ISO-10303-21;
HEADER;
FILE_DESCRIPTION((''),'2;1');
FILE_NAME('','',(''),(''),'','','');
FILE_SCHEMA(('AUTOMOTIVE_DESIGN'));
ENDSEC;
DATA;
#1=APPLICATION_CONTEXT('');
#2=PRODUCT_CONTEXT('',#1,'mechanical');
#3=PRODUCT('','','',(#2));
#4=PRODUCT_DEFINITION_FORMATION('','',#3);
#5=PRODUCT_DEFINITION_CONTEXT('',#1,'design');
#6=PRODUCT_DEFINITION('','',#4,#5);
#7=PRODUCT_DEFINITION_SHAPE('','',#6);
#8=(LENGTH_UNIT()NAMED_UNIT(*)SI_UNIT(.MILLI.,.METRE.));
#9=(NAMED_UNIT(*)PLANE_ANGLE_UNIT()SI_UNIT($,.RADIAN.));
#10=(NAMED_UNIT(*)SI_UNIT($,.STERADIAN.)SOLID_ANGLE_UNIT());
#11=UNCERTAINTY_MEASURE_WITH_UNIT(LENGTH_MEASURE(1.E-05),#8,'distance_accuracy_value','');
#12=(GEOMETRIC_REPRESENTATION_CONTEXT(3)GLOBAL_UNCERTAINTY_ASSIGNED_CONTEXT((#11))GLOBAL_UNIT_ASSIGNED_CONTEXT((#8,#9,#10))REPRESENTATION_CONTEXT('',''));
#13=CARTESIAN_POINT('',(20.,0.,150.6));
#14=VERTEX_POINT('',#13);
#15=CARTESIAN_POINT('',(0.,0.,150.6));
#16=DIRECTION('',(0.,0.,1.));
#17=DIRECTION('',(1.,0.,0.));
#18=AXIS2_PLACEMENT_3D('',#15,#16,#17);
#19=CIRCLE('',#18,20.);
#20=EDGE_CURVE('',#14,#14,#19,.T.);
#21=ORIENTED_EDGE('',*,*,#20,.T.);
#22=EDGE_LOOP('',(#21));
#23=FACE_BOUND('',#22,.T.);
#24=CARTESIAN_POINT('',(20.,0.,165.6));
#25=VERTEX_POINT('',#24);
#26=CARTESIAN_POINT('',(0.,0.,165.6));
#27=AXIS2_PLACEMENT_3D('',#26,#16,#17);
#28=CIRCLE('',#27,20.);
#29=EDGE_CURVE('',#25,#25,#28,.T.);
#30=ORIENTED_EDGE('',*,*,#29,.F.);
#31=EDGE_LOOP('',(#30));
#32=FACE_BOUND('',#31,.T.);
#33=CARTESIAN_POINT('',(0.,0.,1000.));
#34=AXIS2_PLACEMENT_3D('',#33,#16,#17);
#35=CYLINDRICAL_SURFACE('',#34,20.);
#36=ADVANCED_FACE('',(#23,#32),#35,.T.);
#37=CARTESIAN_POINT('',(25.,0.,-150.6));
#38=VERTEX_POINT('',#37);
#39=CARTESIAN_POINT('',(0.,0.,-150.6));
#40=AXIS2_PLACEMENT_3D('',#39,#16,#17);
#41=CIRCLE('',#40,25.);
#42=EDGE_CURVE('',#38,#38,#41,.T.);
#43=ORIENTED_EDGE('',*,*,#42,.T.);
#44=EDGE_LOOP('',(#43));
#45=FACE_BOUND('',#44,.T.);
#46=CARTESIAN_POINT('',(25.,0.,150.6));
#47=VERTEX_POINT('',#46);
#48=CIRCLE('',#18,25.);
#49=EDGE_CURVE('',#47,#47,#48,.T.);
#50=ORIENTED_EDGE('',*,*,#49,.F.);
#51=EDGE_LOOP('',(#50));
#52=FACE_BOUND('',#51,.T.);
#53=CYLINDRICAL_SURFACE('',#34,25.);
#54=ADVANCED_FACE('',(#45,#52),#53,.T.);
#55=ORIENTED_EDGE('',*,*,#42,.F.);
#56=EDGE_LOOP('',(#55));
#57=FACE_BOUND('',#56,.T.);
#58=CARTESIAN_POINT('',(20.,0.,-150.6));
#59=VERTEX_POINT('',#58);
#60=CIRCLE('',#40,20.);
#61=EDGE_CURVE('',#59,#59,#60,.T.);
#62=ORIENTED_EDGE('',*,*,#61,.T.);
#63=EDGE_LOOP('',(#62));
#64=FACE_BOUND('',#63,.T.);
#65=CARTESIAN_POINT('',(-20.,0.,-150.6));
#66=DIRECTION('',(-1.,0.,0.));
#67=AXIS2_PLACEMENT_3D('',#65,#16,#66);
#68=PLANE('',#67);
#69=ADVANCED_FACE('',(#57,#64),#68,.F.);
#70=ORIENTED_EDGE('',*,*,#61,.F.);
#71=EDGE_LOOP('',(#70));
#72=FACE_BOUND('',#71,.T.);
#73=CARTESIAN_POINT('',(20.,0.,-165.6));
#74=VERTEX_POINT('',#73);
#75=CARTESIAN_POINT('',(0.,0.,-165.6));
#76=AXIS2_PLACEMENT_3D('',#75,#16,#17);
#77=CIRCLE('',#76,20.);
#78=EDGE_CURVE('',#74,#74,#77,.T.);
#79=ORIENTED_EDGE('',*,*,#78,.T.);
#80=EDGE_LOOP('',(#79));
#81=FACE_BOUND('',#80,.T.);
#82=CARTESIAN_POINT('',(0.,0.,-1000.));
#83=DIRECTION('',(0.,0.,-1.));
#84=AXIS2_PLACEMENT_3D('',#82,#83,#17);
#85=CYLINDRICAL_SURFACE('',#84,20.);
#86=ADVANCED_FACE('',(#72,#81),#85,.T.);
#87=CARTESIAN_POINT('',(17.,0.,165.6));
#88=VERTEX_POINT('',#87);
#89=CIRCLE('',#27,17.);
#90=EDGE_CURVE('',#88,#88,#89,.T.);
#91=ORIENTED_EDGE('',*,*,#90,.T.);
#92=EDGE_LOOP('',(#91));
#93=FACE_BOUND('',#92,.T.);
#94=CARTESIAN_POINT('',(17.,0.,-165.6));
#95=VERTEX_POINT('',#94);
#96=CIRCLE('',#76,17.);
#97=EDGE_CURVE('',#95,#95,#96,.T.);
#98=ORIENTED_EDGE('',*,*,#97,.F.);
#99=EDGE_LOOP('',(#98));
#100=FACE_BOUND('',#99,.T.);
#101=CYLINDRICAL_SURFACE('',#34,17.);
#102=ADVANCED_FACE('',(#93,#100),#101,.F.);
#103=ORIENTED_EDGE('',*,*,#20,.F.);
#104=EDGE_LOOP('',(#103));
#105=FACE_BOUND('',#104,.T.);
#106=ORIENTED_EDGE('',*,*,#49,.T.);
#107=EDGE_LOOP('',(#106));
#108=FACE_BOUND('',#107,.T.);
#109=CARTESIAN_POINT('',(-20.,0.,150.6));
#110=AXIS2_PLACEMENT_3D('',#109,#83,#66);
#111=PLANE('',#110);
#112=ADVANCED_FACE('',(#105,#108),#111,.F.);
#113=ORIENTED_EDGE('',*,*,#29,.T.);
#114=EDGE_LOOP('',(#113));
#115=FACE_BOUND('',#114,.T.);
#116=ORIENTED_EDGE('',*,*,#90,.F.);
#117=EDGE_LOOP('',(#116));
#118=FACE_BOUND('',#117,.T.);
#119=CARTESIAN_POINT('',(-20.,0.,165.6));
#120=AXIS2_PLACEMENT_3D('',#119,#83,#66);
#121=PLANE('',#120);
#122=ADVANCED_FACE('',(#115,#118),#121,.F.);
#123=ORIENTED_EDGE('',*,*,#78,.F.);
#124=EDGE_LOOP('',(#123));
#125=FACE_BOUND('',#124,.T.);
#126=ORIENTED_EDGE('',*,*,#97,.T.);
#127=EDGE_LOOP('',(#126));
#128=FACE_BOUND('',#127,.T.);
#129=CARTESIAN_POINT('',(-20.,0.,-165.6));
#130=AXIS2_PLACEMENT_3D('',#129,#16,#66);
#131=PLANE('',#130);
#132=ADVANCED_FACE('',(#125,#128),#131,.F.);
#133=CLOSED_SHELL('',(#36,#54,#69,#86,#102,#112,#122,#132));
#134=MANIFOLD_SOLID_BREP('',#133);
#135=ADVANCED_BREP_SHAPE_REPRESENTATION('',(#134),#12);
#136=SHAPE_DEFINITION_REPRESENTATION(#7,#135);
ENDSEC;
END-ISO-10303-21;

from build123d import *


with BuildPart() as part:
    # Эскиз1 → Повернуть1 (revolve)
    with BuildSketch(Plane(origin=(0, 0, 0), x_dir=(1, 0, 0), z_dir=(0, 1, 0)), mode=Mode.PRIVATE) as revolve_1_sk:
        Polygon((-25, 0), (-17, 0), (-17, -165.6), (-20, -165.6), (-20, -150.6), (-25, -150.6), align=None)
    revolve_1 = revolve(revolve_1_sk.sketch.rotate(Axis((0, 0, 1000), (0, 0, -1)), 180), axis=Axis((0, 0, 1000), (0, 0, -1)))

    # Зеркальное отражение1: Повернуть1 across plane
    add(revolve_1.mirror(Plane(origin=(-25, 0, 0), x_dir=(1, 0, 0), z_dir=(0, 0, 1))))


solid = part.part
